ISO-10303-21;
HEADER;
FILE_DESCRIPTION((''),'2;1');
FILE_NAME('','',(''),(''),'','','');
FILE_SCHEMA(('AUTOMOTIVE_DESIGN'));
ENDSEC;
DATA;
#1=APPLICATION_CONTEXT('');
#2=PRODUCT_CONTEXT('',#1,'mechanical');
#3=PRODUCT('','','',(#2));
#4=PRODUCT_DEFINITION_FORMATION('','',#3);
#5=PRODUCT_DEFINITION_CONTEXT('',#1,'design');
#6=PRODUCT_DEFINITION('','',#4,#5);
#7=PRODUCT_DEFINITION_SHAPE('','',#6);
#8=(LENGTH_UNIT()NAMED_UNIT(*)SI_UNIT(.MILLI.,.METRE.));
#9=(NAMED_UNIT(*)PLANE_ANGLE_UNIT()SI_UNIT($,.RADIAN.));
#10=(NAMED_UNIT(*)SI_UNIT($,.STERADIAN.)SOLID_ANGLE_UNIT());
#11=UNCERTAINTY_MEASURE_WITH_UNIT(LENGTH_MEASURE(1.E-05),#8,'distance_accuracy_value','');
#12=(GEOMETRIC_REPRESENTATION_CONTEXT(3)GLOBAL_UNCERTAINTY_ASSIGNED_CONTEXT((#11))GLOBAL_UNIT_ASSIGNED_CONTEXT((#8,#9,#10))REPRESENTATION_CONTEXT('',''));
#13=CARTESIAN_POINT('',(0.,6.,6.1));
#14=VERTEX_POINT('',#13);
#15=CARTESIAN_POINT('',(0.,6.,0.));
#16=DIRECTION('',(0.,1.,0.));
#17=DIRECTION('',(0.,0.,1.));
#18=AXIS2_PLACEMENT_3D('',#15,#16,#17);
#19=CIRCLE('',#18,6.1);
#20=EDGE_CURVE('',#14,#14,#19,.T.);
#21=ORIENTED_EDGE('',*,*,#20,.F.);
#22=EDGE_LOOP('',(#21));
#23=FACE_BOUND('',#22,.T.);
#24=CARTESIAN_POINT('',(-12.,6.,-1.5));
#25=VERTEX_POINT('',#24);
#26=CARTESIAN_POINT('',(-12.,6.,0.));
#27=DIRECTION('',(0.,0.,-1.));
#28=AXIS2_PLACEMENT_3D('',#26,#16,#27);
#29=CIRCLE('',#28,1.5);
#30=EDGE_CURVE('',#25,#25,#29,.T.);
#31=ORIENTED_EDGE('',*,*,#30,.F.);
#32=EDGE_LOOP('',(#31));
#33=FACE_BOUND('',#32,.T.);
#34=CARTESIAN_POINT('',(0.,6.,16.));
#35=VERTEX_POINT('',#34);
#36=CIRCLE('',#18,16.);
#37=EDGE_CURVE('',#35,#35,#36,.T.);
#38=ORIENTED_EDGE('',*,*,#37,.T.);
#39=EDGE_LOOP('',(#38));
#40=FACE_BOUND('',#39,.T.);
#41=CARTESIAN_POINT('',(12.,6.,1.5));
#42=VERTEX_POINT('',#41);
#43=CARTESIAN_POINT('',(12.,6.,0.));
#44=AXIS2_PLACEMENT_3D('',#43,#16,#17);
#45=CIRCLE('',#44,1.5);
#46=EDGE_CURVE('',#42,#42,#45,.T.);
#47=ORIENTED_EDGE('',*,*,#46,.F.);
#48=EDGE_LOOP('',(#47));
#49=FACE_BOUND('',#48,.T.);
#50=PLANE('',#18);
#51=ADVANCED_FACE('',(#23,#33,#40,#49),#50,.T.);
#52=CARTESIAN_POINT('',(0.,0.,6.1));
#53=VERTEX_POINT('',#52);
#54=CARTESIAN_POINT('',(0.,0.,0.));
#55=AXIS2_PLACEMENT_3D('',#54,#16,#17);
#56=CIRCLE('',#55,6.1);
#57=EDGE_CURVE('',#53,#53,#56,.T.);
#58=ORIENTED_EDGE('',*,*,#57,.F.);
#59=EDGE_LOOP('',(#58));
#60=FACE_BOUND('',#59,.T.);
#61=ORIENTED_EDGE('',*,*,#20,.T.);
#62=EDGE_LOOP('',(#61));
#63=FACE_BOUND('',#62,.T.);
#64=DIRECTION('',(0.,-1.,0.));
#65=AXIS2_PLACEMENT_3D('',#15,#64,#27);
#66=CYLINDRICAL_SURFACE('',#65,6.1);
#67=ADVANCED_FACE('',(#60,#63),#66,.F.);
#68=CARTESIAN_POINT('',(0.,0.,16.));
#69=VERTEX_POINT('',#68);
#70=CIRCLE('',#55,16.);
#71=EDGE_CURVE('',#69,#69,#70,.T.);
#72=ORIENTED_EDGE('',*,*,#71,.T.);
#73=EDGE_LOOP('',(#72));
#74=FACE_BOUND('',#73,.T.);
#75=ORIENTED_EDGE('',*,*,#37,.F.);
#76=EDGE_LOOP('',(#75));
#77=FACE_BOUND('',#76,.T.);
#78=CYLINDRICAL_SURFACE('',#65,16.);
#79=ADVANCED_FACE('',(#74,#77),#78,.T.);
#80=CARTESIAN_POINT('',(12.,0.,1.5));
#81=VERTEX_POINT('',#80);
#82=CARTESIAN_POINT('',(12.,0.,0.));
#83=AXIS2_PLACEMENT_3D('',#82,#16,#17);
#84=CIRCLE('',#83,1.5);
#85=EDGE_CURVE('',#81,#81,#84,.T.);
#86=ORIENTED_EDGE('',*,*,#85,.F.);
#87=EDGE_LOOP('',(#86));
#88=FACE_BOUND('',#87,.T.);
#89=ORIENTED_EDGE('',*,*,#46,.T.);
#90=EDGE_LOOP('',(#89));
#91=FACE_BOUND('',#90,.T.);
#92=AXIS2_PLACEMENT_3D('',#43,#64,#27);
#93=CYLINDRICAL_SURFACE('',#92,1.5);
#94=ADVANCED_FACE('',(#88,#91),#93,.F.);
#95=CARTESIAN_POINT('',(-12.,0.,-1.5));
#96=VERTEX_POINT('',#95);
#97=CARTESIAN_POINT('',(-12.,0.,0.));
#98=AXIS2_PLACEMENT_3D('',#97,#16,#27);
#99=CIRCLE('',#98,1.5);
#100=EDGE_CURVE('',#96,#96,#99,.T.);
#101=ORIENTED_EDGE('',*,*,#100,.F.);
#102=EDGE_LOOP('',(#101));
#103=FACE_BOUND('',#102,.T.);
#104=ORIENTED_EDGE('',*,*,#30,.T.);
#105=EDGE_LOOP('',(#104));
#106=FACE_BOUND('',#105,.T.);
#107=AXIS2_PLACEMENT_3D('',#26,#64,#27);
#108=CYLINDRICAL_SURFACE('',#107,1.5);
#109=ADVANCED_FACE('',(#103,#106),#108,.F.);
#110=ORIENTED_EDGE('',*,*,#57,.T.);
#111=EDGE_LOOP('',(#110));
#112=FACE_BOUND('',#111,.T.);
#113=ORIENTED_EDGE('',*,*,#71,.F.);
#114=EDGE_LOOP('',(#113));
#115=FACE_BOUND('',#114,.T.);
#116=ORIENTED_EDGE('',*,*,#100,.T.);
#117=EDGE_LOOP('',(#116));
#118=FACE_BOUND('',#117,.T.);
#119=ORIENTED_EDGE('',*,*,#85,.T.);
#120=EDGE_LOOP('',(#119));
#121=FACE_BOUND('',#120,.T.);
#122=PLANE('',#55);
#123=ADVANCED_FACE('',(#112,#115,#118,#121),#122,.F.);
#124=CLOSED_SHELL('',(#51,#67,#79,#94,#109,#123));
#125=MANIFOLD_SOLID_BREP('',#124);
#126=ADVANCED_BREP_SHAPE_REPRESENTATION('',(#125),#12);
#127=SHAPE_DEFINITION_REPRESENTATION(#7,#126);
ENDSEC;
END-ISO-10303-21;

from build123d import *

# Parameters (mm, degrees)
SKETCH_1_R      = 16
SKETCH_1_R_2    = 6.1
SKETCH_1_R_3    = 1.5
EXTRUDE_1_DEPTH = 6


with BuildPart() as part:
    # ｽｹｯﾁ1 → ﾎﾞｽ - 押し出し1 (new body)
    with BuildSketch(Plane(origin=(0, 0, 0), x_dir=(1, 0, 0), z_dir=(0, 1, 0))):
        with Locations(Location((0, 0, 0), (0, 0, 270))):
            Circle(SKETCH_1_R)
        with Locations(Location((0, 0, 0), (0, 0, 270))):
            Circle(SKETCH_1_R_2, mode=Mode.SUBTRACT)
        with Locations(Location((12, 0, 0), (0, 0, 270))):
            Circle(SKETCH_1_R_3, mode=Mode.SUBTRACT)
        with Locations(Location((-12, 0, 0), (0, 0, 90))):
            Circle(SKETCH_1_R_3, mode=Mode.SUBTRACT)
    extrude(amount=EXTRUDE_1_DEPTH)


solid = part.part
